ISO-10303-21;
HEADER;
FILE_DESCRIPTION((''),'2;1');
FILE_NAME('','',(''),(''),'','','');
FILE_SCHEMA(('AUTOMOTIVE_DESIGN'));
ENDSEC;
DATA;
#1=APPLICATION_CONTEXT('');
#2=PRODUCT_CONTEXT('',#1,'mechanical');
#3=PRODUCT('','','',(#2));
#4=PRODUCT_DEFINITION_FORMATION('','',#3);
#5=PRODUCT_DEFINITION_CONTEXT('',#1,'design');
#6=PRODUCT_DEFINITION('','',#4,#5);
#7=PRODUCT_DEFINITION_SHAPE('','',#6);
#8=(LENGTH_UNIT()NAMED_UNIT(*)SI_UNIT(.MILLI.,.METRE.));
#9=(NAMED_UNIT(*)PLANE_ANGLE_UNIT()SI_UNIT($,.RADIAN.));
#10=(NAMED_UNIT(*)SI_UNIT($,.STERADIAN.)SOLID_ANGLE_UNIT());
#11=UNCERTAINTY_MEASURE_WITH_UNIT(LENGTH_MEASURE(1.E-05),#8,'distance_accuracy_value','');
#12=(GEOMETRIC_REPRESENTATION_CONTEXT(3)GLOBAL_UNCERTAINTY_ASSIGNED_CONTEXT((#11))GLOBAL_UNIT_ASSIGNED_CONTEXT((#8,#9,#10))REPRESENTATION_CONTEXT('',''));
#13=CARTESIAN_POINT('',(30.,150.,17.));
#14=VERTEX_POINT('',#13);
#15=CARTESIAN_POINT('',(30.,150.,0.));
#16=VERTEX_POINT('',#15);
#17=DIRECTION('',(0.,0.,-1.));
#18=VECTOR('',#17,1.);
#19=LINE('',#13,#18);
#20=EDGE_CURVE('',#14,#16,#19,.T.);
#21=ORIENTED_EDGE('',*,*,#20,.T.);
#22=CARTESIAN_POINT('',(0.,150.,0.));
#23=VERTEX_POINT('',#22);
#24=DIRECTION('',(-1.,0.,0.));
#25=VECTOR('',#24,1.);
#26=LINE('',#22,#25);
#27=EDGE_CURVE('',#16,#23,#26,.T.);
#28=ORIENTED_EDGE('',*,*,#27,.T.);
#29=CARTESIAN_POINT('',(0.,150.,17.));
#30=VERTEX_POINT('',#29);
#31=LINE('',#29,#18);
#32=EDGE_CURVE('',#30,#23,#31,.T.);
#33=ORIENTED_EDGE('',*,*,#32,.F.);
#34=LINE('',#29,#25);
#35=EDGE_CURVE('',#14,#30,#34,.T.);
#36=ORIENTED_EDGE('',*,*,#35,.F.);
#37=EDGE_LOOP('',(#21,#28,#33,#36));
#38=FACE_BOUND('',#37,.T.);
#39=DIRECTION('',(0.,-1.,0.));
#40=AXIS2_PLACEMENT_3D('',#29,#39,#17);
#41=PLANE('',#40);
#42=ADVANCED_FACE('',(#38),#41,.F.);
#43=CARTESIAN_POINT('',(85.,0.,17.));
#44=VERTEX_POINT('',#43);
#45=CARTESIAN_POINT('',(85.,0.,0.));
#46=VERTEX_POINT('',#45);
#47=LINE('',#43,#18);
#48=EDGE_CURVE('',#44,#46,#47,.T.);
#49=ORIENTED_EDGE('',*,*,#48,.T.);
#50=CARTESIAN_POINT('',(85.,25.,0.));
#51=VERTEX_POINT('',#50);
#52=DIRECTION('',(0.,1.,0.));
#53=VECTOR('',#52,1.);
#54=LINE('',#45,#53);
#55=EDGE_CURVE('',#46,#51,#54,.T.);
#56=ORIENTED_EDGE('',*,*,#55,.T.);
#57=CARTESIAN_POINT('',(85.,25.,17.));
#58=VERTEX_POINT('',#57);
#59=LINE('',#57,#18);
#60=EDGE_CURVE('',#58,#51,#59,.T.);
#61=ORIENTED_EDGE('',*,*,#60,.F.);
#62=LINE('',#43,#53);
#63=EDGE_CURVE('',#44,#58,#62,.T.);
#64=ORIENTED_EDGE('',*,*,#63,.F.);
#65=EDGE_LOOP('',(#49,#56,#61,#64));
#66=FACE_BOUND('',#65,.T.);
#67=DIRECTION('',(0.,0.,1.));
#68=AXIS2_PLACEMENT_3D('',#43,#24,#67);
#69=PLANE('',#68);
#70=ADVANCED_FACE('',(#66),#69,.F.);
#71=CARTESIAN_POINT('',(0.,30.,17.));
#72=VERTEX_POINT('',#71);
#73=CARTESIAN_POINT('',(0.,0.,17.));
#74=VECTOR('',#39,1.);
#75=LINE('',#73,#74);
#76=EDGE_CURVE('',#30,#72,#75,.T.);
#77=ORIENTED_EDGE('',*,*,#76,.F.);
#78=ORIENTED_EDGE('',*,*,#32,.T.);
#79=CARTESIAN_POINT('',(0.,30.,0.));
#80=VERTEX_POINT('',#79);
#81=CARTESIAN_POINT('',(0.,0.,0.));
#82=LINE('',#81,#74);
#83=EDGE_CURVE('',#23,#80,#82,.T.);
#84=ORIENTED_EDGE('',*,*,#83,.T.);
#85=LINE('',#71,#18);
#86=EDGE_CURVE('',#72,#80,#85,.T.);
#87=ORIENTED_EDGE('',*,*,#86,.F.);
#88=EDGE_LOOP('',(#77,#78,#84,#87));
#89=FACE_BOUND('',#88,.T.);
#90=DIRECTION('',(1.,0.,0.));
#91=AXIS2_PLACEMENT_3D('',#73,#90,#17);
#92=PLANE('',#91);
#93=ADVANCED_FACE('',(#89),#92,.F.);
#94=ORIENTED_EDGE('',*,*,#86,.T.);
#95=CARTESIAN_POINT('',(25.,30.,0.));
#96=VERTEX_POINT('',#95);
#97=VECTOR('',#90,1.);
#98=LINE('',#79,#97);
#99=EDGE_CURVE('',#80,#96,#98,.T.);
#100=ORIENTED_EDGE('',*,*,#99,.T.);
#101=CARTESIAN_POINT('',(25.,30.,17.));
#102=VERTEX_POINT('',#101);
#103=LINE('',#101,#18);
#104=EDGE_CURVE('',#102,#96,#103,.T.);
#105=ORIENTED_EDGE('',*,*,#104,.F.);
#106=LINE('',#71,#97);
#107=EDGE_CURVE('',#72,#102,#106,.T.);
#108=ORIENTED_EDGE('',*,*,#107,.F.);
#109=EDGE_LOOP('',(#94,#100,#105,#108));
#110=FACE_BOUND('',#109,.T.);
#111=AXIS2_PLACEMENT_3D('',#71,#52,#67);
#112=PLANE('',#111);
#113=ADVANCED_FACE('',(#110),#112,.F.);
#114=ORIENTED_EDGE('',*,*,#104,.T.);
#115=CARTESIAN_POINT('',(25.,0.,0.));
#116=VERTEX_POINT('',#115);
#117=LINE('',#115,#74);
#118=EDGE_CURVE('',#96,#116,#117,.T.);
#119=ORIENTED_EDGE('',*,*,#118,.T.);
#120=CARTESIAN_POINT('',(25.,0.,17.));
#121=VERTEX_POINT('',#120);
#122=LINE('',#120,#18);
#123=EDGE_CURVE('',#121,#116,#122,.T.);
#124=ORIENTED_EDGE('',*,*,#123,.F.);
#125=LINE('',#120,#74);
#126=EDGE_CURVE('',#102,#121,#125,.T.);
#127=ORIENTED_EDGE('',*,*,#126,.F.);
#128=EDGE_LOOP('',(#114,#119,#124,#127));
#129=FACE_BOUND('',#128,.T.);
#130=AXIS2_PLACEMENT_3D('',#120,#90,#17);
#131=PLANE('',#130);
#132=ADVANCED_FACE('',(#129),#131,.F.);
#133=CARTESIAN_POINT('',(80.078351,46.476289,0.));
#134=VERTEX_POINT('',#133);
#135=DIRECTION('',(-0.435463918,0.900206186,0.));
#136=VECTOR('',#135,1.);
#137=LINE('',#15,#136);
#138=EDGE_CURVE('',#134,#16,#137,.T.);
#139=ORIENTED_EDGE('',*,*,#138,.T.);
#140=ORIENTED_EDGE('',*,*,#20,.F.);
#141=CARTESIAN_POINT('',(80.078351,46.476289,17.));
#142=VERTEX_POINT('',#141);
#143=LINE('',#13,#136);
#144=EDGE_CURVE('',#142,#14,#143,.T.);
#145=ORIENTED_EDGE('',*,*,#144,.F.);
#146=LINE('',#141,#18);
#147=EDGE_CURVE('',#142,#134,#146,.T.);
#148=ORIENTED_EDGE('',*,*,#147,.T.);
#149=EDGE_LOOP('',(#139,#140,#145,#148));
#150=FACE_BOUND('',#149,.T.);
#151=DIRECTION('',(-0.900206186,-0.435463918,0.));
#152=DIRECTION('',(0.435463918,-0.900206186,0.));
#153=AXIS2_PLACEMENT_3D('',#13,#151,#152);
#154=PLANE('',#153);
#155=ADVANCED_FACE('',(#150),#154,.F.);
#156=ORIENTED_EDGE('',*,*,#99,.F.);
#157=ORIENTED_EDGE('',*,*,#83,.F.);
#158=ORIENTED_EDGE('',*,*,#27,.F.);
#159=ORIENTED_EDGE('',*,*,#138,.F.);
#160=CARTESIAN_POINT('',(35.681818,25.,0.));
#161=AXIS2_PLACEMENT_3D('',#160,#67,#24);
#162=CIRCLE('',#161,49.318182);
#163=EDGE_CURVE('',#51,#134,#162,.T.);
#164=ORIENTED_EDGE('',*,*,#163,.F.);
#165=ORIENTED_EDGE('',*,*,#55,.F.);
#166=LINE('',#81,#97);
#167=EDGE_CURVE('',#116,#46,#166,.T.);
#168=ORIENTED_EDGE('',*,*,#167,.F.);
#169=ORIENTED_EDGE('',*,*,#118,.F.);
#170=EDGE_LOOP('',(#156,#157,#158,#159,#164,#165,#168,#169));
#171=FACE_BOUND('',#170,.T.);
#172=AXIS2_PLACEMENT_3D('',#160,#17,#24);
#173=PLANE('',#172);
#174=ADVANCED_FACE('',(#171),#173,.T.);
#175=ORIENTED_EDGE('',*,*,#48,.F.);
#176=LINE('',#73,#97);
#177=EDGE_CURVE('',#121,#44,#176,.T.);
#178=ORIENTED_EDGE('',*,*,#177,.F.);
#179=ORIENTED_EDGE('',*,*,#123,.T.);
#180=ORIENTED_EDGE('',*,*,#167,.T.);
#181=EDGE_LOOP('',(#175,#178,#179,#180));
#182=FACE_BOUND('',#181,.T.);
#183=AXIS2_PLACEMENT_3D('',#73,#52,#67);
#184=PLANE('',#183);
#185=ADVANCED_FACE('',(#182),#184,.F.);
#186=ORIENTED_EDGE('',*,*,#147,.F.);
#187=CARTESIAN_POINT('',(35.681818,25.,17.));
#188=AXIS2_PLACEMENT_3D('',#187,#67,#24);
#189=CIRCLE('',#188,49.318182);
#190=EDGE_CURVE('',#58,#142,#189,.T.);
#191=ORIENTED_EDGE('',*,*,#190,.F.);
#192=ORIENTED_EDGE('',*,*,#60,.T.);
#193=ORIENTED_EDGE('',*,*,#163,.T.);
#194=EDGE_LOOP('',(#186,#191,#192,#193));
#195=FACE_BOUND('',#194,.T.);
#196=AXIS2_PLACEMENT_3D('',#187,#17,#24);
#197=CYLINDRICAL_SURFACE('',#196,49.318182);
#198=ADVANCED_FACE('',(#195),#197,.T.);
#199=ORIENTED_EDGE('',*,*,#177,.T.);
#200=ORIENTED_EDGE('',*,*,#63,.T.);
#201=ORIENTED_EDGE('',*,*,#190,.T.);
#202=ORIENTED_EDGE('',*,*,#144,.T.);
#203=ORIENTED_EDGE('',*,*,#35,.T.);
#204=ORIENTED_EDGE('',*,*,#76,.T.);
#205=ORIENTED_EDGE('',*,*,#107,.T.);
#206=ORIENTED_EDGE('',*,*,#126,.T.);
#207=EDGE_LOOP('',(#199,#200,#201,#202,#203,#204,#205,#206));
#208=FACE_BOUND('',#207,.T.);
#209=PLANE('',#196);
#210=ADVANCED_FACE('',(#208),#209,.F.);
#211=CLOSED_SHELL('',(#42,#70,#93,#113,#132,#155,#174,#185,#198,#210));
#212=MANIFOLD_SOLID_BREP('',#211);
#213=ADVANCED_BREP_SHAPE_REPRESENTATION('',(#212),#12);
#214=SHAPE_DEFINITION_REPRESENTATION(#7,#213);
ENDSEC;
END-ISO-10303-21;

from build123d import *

# Parameters (mm, degrees)
ESTRUSIONE_ESTRUSIONE1_DEPTH = 17
SCHIZZO2_W                   = 25
SCHIZZO2_H                   = 30
TAGLIO_ESTRUSIONE1_DEPTH     = 17


with BuildPart() as part:
    # Schizzo1 → Estrusione-Estrusione1 (new body)
    with BuildSketch(Plane.XY):
        with BuildLine():
            Line((0, 0), (85, 0))
            Line((85, 0), (85, 25))
            ThreePointArc((85, 25), (83.753843891, 36.016505892), (80.078350515, 46.47628866))
            Line((80.078350515, 46.47628866), (30, 150))
            Line((30, 150), (0, 150))
            Line((0, 150), (0, 0))
        make_face()
    extrude(amount=ESTRUSIONE_ESTRUSIONE1_DEPTH)

    # Schizzo2 → Taglio-Estrusione1 (cut)
    with BuildSketch(Plane(origin=(0, 0, 0), x_dir=(-1, 0, 0), z_dir=(0, 0, -1))):
        with Locations((-12.5, 15)):
            Rectangle(SCHIZZO2_W, SCHIZZO2_H)
    extrude(amount=-TAGLIO_ESTRUSIONE1_DEPTH, mode=Mode.SUBTRACT)


solid = part.part
